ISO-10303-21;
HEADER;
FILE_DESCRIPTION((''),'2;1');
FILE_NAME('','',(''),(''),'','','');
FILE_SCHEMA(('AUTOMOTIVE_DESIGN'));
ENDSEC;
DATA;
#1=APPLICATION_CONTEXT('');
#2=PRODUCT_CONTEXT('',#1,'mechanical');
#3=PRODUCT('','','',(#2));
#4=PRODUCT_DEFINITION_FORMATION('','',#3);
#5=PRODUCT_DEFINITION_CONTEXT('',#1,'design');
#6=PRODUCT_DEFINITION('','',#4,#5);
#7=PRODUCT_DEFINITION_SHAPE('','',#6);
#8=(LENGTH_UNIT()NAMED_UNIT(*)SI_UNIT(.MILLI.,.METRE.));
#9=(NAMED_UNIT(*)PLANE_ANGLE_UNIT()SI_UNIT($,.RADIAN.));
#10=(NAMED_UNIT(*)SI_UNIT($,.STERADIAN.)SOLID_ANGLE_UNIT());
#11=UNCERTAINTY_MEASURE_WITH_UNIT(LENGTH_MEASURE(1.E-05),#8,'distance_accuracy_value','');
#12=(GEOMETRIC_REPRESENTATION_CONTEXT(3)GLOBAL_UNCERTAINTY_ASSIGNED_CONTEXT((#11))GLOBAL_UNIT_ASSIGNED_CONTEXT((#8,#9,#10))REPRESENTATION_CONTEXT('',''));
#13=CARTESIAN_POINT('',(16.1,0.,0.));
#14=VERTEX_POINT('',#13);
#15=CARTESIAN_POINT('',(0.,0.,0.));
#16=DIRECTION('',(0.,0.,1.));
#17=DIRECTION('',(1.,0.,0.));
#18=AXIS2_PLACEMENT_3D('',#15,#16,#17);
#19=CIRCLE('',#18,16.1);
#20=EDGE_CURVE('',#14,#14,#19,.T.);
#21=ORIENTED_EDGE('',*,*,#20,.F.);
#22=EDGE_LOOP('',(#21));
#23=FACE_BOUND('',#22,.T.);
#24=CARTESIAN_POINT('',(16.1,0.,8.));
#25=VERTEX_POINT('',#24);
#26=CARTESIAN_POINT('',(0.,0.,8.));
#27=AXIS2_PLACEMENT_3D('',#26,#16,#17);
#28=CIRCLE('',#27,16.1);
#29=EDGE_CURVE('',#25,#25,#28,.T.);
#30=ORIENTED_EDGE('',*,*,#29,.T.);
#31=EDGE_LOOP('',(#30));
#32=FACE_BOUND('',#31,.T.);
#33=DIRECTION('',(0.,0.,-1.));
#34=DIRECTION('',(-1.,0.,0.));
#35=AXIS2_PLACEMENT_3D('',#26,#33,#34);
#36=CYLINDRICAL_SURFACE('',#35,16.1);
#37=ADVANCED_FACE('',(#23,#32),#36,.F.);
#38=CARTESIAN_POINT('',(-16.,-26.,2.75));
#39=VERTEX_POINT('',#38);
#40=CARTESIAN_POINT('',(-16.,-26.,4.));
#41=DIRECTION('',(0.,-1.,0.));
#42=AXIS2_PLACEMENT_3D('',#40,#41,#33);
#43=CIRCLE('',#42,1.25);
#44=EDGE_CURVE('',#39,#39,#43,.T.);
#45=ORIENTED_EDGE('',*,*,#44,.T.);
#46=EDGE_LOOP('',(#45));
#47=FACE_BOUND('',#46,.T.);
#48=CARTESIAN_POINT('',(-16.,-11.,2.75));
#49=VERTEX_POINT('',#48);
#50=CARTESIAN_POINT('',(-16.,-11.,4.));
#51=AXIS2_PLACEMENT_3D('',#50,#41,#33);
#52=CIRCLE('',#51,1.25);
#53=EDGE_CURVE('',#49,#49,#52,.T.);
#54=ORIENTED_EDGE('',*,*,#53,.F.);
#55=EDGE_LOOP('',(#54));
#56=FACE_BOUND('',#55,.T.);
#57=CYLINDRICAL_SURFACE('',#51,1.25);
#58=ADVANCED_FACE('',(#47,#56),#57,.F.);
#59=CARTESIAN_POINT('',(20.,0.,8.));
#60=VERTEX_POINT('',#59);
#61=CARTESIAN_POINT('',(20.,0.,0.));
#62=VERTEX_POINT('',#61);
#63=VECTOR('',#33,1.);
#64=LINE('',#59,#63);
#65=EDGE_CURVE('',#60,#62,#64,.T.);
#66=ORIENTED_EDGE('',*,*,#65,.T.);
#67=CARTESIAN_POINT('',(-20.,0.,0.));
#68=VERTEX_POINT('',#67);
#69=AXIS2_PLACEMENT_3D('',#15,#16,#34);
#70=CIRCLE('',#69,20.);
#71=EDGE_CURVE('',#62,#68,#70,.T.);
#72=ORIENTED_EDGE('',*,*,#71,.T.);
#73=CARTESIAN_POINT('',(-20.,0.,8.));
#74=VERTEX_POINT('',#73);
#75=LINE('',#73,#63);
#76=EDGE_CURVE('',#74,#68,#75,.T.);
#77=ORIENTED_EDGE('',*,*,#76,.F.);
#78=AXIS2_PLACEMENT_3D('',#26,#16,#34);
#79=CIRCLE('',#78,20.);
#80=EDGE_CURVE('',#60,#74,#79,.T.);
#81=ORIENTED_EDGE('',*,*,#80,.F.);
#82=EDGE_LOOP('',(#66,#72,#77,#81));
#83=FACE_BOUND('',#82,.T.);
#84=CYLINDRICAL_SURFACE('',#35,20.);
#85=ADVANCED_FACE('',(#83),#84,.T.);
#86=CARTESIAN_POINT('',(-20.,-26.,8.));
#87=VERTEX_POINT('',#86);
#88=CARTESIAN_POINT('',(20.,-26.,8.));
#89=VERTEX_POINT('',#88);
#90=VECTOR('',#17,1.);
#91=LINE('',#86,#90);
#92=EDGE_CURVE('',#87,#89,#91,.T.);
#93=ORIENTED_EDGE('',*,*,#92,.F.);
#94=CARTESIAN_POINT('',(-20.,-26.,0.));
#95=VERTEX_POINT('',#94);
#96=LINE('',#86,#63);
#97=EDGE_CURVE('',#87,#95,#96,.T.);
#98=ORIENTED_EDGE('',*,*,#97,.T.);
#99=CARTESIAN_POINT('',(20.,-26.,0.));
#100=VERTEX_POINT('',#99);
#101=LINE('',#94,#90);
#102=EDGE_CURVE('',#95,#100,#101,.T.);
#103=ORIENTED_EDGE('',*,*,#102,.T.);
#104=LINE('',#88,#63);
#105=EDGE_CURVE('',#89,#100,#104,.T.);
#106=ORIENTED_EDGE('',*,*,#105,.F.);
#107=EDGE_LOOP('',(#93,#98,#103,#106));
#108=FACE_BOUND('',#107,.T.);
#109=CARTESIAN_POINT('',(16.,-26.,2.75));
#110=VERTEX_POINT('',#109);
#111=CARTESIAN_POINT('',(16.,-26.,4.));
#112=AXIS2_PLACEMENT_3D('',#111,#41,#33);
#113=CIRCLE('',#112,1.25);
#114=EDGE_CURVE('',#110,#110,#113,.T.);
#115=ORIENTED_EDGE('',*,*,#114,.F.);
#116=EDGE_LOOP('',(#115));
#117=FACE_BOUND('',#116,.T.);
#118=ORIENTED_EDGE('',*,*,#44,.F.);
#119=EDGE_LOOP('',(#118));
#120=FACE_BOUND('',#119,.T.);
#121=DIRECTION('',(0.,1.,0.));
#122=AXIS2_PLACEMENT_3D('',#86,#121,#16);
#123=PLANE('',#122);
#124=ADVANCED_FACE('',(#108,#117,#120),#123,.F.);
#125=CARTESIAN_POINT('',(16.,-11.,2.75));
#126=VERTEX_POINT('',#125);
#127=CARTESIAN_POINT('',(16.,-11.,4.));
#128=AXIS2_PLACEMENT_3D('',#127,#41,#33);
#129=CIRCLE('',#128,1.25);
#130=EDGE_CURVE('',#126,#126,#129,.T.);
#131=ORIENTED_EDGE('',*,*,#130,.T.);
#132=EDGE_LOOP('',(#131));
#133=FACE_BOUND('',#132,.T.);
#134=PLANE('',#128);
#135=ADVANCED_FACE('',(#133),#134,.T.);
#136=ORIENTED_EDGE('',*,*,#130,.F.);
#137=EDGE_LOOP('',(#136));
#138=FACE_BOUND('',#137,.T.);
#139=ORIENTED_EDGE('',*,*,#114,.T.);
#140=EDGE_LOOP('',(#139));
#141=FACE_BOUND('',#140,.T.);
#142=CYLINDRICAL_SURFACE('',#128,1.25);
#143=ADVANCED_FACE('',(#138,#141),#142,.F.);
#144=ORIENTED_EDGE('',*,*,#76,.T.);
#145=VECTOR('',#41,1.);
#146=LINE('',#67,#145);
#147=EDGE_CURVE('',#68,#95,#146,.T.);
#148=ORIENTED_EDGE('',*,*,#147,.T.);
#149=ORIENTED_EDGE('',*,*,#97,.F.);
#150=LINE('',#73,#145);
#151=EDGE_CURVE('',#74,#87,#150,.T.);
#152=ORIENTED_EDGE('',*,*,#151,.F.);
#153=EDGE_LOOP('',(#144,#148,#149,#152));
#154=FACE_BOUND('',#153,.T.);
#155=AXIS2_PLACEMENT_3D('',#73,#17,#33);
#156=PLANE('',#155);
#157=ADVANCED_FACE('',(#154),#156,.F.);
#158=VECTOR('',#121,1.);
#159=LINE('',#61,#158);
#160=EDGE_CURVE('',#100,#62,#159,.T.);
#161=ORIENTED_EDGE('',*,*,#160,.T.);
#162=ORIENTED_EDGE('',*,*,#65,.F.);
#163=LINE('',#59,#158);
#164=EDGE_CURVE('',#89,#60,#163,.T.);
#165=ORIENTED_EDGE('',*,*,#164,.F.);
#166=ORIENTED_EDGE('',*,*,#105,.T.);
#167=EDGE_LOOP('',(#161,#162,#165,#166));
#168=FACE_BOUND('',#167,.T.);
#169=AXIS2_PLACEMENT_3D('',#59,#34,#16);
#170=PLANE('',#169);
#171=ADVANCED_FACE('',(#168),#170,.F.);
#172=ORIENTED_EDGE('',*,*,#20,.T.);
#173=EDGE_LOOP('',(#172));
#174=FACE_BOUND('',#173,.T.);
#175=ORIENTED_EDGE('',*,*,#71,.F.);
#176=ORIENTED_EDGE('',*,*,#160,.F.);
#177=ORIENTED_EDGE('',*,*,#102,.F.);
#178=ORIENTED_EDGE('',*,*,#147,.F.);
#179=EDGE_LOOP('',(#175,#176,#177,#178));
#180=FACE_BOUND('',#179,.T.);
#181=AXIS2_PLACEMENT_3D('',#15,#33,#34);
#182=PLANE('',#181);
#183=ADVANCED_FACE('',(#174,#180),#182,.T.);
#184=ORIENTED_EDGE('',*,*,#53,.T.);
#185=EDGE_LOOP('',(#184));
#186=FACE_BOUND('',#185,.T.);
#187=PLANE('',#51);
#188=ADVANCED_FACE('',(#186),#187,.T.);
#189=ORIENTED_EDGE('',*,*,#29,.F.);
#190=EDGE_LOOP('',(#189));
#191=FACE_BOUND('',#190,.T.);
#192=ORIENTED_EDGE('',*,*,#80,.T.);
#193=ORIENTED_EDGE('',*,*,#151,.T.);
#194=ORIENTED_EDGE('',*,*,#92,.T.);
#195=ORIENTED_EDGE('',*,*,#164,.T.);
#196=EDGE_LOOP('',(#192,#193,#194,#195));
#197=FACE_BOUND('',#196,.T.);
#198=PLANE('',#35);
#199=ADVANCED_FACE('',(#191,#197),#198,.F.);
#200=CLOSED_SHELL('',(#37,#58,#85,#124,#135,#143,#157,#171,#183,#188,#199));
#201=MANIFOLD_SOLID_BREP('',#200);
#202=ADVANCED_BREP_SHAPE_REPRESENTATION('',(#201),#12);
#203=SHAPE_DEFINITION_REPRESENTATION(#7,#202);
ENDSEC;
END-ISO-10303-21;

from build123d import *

# Parameters (mm, degrees)
ESQUISSE1_R             = 16.1
BOSS_EXTRU_1_DEPTH      = 8
ESQUISSE2_R             = 1.25
ENL_V_MAT_EXTRU_1_DEPTH = 15


with BuildPart() as part:
    # Esquisse1 → Boss.-Extru.1 (new body)
    with BuildSketch(Plane.XY):
        with BuildLine():
            Line((-20, 0), (-20, -26))
            Line((-20, -26), (20, -26))
            Line((20, -26), (20, 0))
            ThreePointArc((20, 0), (0, 20), (-20, 0))
        make_face()
        Circle(ESQUISSE1_R, mode=Mode.SUBTRACT)
    extrude(amount=BOSS_EXTRU_1_DEPTH)

    # Esquisse2 → Enlèv. mat.-Extru.1 (cut)
    with BuildSketch(Plane.XZ.offset(26)):
        with Locations((-16, 4)):
            Circle(ESQUISSE2_R)
        with Locations((16, 4)):
            Circle(ESQUISSE2_R)
    extrude(amount=-ENL_V_MAT_EXTRU_1_DEPTH, mode=Mode.SUBTRACT)


solid = part.part
